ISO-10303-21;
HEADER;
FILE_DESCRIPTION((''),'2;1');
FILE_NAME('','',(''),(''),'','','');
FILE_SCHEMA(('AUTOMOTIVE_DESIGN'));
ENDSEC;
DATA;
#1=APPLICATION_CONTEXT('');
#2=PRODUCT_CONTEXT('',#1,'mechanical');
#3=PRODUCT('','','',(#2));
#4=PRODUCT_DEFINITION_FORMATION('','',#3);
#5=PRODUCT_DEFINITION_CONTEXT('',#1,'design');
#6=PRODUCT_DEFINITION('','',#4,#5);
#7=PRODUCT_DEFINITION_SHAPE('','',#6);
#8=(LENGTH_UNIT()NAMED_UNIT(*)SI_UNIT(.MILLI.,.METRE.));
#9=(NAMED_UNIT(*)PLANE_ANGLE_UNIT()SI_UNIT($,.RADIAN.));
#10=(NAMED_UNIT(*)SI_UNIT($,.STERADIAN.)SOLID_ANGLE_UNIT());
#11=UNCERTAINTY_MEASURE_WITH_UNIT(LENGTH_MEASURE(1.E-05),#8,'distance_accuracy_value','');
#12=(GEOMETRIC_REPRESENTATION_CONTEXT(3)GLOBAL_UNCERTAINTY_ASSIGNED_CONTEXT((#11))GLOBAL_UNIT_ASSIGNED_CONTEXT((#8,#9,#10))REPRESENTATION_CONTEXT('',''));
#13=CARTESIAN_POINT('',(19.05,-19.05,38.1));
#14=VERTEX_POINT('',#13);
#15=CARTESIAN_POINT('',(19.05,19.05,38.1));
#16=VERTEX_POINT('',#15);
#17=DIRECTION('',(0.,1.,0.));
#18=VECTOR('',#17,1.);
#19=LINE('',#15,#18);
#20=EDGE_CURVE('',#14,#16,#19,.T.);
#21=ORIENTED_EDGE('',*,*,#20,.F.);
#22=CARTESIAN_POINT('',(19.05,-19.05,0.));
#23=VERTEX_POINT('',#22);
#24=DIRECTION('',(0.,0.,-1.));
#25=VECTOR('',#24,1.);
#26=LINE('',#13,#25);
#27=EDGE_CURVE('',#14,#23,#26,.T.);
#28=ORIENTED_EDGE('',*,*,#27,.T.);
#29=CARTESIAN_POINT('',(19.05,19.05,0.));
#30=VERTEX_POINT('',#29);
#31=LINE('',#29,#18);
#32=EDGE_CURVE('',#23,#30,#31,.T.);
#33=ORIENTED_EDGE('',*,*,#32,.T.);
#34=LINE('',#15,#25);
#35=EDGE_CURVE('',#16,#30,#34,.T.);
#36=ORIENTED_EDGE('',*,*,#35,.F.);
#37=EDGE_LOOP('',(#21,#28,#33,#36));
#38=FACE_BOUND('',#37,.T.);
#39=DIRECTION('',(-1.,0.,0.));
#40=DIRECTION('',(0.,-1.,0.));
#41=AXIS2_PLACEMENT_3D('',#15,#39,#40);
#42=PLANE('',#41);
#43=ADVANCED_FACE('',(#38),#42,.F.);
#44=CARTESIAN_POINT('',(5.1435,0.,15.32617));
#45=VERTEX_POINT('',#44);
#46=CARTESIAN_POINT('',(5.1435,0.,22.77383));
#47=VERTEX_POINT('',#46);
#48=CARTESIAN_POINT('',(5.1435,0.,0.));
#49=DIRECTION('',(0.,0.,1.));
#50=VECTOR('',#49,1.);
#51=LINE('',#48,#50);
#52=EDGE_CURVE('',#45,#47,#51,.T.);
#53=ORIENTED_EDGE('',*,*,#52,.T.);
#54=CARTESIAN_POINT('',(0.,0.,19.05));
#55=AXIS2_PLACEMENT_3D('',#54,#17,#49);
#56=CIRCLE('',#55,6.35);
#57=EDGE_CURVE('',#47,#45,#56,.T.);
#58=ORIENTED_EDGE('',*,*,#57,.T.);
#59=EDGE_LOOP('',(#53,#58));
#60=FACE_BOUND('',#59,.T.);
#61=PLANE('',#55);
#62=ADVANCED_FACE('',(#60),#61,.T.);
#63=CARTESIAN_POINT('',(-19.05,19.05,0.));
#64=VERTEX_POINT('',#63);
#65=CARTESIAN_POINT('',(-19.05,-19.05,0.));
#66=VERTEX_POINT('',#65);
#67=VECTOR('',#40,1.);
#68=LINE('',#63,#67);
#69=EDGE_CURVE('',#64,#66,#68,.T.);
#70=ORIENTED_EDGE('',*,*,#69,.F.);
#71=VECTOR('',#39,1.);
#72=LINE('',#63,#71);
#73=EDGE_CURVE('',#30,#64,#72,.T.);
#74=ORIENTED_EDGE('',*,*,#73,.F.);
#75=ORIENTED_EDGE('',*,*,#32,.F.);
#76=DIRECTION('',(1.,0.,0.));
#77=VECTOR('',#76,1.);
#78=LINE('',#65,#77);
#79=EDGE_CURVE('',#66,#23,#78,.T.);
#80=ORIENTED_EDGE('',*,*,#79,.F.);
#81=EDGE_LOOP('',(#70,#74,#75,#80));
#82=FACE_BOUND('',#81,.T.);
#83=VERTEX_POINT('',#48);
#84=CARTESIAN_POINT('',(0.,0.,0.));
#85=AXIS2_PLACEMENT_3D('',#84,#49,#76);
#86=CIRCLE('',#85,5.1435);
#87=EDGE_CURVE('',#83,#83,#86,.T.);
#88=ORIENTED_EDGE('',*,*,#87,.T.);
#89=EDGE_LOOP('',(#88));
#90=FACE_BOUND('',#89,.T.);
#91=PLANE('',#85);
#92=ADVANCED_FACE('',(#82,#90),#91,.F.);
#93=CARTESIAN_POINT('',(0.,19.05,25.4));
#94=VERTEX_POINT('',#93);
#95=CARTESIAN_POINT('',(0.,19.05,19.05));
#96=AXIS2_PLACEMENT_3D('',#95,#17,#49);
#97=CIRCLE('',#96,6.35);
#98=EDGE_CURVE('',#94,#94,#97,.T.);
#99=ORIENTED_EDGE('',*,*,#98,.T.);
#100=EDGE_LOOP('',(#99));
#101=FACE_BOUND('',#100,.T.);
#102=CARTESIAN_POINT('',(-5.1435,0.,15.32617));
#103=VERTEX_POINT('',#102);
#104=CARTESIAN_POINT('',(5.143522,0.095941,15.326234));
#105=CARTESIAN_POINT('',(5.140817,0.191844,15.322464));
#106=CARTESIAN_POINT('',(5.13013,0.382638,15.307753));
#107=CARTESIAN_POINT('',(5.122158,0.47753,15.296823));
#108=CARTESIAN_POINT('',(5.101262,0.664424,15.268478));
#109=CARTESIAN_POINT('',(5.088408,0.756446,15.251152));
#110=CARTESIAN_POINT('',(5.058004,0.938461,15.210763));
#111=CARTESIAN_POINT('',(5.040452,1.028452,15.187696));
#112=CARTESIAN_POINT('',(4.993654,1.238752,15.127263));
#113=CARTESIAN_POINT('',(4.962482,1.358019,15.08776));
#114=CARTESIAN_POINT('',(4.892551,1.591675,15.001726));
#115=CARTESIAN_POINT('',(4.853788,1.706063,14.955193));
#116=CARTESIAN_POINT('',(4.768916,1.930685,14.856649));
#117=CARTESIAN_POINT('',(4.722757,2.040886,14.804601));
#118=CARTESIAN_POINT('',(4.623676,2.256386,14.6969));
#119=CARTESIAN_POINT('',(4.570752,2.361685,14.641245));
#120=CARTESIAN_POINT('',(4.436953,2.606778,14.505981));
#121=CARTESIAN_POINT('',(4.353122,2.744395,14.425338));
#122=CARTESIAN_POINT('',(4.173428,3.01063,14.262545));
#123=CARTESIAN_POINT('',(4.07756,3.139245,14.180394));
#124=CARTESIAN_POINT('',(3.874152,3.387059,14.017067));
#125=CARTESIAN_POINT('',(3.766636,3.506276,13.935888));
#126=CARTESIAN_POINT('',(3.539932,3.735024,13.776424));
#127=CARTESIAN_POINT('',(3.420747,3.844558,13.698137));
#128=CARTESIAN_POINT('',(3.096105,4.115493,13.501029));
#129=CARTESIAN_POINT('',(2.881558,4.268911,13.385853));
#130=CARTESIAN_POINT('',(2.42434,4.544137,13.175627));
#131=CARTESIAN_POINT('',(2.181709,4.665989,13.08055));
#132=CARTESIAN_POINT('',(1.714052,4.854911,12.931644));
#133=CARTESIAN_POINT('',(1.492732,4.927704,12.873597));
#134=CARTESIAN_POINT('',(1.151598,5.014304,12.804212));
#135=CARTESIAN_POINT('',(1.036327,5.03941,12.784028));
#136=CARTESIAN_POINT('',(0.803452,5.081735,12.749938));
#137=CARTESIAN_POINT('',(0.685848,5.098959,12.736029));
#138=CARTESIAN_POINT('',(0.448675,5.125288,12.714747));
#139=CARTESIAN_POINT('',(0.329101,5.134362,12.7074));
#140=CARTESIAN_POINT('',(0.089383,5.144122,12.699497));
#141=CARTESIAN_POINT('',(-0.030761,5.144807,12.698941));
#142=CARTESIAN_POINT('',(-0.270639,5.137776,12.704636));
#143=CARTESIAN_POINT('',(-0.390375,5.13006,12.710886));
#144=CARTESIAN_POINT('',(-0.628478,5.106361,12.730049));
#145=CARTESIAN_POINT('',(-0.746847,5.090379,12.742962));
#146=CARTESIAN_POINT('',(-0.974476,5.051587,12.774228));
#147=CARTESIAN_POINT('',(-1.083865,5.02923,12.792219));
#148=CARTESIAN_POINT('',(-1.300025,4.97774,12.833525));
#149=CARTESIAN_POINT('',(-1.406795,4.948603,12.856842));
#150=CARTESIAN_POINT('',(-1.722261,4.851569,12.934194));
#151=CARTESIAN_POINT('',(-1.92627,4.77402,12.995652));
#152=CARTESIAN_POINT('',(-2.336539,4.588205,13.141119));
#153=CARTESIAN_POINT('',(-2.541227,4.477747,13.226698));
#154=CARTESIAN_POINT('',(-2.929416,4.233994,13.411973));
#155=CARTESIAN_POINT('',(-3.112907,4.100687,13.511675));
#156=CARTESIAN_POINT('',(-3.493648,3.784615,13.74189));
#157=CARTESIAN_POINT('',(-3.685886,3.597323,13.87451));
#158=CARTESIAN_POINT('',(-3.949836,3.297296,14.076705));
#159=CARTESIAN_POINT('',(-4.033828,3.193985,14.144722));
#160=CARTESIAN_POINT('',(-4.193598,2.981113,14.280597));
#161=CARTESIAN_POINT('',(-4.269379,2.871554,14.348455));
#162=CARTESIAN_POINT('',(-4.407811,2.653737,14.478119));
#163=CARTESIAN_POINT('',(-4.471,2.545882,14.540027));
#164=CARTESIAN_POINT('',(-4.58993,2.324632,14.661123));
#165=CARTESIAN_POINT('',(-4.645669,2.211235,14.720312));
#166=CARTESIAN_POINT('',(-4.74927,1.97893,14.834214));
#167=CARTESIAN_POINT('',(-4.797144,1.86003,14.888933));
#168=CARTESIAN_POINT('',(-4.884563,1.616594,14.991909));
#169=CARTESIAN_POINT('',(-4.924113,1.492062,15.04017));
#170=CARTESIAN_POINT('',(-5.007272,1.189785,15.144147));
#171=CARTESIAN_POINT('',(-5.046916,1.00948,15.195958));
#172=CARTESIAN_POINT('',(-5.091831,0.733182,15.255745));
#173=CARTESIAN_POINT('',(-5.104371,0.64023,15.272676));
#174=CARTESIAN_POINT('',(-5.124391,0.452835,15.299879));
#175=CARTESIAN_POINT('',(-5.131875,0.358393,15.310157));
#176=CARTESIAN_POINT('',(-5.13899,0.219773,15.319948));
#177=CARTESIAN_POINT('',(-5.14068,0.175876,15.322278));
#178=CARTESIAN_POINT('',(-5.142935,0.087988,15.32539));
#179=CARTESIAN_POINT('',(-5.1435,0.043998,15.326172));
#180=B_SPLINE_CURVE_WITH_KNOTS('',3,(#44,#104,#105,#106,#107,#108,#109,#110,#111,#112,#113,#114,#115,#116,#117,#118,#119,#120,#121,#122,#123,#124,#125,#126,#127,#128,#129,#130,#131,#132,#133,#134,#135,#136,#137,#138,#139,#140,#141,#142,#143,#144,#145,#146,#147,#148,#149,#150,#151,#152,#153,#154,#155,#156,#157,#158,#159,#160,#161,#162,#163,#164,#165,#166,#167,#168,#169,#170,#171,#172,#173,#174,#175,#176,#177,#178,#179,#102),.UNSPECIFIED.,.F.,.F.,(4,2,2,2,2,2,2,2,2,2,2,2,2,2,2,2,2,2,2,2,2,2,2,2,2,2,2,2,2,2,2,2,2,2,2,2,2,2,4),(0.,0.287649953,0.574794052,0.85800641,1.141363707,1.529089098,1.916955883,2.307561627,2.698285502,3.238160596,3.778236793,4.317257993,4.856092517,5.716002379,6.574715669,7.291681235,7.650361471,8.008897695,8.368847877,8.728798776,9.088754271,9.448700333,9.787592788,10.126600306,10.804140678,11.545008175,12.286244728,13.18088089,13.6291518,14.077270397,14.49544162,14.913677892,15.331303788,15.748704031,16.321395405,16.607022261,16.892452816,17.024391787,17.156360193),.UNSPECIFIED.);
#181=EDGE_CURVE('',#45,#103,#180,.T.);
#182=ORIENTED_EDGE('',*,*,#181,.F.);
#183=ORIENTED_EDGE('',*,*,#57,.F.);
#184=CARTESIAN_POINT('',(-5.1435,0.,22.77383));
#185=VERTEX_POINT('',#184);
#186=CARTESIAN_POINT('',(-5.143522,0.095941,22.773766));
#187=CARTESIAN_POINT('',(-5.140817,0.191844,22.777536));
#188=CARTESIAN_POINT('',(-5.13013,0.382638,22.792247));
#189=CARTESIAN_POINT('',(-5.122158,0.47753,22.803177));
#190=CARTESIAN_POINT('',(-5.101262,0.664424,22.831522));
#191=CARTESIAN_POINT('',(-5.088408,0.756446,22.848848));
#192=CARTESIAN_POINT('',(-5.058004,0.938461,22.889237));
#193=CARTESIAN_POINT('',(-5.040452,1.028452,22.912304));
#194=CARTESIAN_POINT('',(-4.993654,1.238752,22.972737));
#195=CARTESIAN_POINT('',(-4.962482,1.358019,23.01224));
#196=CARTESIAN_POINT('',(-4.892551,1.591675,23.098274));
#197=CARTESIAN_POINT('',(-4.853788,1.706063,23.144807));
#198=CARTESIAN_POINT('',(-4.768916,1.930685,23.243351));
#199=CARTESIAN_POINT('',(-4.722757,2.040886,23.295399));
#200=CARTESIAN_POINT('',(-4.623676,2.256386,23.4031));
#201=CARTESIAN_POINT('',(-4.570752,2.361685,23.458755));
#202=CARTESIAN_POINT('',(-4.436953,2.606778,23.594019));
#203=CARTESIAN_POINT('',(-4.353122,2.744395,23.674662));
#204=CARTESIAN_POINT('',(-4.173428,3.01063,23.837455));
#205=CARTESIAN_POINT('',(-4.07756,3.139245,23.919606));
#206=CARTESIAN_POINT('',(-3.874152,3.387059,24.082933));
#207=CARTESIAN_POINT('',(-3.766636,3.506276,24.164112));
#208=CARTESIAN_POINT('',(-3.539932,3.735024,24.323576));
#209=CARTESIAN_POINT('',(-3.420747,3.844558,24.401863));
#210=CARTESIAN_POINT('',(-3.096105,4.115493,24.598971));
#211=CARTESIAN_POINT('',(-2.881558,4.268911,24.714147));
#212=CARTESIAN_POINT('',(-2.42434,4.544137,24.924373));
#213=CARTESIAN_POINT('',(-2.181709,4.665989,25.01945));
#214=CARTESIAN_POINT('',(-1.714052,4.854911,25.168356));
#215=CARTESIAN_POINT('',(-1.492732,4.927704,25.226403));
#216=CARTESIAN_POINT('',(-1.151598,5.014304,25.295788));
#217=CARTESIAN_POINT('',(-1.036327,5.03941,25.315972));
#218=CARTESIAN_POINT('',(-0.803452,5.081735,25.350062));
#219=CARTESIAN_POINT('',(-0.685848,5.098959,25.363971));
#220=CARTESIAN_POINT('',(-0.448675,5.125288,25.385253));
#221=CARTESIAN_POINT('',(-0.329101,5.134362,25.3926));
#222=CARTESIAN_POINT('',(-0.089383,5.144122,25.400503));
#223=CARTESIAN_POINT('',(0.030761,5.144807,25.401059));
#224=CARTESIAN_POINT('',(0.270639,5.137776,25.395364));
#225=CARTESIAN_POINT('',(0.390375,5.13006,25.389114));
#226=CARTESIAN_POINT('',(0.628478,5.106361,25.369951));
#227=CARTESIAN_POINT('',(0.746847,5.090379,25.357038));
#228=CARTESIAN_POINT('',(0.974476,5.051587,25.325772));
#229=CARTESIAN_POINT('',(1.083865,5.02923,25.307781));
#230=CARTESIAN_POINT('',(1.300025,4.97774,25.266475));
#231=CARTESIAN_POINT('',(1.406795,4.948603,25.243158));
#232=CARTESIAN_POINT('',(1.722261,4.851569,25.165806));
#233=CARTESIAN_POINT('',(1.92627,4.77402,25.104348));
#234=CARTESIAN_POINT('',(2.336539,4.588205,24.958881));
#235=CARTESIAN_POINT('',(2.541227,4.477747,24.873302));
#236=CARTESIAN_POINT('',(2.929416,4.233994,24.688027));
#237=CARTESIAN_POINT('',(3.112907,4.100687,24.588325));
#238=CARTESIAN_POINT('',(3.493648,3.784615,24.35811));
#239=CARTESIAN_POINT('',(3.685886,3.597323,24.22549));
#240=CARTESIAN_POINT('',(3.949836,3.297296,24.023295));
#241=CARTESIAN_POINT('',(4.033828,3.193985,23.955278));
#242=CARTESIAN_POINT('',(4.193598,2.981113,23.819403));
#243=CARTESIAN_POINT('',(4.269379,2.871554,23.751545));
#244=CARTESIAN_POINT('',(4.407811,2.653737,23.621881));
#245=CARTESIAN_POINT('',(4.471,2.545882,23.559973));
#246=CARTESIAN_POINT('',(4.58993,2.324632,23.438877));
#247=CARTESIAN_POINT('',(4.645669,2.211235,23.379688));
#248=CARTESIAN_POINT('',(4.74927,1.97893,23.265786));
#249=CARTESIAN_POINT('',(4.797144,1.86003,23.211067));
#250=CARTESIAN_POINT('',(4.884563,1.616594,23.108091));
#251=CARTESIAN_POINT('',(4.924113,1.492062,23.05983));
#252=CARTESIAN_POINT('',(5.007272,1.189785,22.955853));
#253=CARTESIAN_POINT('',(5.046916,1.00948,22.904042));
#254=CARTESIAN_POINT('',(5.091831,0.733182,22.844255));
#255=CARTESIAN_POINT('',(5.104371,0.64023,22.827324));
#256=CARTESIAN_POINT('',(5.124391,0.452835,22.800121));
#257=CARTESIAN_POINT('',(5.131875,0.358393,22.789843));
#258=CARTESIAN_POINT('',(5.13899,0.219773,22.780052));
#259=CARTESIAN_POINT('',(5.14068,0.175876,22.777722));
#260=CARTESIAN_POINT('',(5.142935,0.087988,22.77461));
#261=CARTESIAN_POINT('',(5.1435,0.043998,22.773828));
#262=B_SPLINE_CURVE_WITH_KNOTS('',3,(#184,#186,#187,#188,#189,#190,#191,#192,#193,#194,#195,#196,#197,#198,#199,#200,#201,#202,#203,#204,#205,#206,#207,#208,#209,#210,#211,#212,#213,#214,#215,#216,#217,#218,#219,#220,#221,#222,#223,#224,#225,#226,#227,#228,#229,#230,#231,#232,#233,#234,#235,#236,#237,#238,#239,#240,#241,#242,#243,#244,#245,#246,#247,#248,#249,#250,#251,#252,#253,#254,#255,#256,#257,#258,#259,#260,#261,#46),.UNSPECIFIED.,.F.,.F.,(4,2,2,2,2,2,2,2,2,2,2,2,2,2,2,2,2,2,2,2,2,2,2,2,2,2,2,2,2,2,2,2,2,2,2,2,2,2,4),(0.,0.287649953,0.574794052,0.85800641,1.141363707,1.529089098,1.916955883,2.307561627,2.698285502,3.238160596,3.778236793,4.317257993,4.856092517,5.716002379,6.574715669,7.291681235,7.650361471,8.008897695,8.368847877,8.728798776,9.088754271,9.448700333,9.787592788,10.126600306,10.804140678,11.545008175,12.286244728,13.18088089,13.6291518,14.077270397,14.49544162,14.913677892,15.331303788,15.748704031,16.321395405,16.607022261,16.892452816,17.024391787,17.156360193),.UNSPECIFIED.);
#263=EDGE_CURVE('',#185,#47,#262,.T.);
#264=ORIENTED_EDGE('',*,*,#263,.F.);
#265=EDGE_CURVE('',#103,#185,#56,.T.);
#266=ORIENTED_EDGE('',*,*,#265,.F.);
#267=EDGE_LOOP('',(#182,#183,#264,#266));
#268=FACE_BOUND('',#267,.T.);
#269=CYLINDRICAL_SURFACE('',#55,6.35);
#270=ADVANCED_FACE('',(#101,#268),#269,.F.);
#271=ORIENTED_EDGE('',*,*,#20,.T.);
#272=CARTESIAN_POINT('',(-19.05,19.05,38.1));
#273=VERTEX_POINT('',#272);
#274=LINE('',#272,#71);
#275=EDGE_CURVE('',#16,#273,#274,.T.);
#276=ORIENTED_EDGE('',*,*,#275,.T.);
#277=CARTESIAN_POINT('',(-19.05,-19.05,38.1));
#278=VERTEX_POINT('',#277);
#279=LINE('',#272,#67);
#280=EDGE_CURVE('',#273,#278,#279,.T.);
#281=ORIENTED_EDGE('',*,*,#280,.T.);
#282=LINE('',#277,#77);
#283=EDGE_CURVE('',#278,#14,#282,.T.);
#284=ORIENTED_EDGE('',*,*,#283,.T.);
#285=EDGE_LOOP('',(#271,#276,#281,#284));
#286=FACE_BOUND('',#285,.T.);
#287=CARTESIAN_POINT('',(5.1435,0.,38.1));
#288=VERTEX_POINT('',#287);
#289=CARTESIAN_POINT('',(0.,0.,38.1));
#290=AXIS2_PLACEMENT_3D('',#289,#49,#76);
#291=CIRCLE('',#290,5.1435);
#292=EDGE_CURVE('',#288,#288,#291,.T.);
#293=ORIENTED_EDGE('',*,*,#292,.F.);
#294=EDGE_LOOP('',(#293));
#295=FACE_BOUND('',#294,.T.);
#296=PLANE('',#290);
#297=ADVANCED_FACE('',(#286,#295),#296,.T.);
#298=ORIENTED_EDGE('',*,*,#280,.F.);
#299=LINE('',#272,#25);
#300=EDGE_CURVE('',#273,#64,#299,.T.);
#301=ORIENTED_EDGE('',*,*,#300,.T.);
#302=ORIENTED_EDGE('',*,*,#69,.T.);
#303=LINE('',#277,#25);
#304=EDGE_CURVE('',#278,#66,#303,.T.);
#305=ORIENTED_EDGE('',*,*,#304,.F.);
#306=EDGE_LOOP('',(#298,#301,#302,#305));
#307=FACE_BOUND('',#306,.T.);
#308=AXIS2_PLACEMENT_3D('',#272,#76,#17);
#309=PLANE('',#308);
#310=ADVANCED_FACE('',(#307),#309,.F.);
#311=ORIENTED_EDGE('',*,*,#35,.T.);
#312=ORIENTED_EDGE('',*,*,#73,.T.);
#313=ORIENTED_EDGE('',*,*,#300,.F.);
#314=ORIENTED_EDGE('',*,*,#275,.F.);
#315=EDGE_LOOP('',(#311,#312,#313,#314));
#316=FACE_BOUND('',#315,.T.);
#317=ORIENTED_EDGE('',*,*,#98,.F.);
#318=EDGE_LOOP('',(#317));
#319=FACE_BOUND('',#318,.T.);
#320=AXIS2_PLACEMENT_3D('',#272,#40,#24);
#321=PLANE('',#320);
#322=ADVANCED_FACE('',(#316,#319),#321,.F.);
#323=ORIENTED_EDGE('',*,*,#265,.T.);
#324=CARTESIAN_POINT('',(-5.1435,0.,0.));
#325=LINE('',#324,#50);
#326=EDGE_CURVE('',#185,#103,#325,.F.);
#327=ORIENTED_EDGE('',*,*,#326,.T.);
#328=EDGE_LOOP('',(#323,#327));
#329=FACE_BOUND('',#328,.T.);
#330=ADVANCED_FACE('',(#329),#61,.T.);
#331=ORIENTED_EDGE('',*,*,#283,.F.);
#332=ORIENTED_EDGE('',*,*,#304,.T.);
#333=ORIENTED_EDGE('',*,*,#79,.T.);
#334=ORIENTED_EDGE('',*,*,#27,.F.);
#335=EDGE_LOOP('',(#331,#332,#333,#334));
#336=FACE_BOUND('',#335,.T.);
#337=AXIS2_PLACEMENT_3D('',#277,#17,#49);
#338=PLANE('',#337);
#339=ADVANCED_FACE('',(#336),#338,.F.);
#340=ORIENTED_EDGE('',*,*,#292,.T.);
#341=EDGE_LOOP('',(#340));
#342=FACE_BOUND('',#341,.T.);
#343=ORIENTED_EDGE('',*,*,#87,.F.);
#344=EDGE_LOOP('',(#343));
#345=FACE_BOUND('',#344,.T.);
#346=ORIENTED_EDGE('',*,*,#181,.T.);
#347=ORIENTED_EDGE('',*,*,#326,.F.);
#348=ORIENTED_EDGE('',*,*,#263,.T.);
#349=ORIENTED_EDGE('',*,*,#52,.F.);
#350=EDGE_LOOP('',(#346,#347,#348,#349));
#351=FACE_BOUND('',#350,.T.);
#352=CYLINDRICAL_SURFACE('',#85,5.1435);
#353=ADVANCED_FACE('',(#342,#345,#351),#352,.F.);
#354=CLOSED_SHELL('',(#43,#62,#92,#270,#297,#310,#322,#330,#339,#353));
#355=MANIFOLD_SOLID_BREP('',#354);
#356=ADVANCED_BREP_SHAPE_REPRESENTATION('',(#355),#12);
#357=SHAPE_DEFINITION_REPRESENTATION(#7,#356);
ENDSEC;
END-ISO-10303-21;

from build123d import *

# Parameters (mm, degrees)
SKETCH1_W           = 38.1
SKETCH1_H           = 38.1
BOSS_EXTRUDE1_DEPTH = 38.1
SKETCH2_R           = 5.1435
CUT_EXTRUDE1_DEPTH  = 38.1
SKETCH3_R           = 6.35
CUT_EXTRUDE2_DEPTH  = 19.05


with BuildPart() as part:
    # Sketch1 → Boss-Extrude1 (new body)
    with BuildSketch(Plane.XY):
        Rectangle(SKETCH1_W, SKETCH1_H)
    extrude(amount=BOSS_EXTRUDE1_DEPTH)

    # Sketch2 → Cut-Extrude1 (cut)
    with BuildSketch(Plane.XY.offset(38.1)):
        Circle(SKETCH2_R)
    extrude(amount=-CUT_EXTRUDE1_DEPTH, mode=Mode.SUBTRACT)

    # Sketch3 → Cut-Extrude2 (cut)
    with BuildSketch(Plane(origin=(0, 19.05, 0), x_dir=(1, 0, 0), z_dir=(0, 1, 0))):
        with Locations(Location((0, -19.05, 0), (0, 0, 270))):
            Circle(SKETCH3_R)
    extrude(amount=-CUT_EXTRUDE2_DEPTH, mode=Mode.SUBTRACT)


solid = part.part
